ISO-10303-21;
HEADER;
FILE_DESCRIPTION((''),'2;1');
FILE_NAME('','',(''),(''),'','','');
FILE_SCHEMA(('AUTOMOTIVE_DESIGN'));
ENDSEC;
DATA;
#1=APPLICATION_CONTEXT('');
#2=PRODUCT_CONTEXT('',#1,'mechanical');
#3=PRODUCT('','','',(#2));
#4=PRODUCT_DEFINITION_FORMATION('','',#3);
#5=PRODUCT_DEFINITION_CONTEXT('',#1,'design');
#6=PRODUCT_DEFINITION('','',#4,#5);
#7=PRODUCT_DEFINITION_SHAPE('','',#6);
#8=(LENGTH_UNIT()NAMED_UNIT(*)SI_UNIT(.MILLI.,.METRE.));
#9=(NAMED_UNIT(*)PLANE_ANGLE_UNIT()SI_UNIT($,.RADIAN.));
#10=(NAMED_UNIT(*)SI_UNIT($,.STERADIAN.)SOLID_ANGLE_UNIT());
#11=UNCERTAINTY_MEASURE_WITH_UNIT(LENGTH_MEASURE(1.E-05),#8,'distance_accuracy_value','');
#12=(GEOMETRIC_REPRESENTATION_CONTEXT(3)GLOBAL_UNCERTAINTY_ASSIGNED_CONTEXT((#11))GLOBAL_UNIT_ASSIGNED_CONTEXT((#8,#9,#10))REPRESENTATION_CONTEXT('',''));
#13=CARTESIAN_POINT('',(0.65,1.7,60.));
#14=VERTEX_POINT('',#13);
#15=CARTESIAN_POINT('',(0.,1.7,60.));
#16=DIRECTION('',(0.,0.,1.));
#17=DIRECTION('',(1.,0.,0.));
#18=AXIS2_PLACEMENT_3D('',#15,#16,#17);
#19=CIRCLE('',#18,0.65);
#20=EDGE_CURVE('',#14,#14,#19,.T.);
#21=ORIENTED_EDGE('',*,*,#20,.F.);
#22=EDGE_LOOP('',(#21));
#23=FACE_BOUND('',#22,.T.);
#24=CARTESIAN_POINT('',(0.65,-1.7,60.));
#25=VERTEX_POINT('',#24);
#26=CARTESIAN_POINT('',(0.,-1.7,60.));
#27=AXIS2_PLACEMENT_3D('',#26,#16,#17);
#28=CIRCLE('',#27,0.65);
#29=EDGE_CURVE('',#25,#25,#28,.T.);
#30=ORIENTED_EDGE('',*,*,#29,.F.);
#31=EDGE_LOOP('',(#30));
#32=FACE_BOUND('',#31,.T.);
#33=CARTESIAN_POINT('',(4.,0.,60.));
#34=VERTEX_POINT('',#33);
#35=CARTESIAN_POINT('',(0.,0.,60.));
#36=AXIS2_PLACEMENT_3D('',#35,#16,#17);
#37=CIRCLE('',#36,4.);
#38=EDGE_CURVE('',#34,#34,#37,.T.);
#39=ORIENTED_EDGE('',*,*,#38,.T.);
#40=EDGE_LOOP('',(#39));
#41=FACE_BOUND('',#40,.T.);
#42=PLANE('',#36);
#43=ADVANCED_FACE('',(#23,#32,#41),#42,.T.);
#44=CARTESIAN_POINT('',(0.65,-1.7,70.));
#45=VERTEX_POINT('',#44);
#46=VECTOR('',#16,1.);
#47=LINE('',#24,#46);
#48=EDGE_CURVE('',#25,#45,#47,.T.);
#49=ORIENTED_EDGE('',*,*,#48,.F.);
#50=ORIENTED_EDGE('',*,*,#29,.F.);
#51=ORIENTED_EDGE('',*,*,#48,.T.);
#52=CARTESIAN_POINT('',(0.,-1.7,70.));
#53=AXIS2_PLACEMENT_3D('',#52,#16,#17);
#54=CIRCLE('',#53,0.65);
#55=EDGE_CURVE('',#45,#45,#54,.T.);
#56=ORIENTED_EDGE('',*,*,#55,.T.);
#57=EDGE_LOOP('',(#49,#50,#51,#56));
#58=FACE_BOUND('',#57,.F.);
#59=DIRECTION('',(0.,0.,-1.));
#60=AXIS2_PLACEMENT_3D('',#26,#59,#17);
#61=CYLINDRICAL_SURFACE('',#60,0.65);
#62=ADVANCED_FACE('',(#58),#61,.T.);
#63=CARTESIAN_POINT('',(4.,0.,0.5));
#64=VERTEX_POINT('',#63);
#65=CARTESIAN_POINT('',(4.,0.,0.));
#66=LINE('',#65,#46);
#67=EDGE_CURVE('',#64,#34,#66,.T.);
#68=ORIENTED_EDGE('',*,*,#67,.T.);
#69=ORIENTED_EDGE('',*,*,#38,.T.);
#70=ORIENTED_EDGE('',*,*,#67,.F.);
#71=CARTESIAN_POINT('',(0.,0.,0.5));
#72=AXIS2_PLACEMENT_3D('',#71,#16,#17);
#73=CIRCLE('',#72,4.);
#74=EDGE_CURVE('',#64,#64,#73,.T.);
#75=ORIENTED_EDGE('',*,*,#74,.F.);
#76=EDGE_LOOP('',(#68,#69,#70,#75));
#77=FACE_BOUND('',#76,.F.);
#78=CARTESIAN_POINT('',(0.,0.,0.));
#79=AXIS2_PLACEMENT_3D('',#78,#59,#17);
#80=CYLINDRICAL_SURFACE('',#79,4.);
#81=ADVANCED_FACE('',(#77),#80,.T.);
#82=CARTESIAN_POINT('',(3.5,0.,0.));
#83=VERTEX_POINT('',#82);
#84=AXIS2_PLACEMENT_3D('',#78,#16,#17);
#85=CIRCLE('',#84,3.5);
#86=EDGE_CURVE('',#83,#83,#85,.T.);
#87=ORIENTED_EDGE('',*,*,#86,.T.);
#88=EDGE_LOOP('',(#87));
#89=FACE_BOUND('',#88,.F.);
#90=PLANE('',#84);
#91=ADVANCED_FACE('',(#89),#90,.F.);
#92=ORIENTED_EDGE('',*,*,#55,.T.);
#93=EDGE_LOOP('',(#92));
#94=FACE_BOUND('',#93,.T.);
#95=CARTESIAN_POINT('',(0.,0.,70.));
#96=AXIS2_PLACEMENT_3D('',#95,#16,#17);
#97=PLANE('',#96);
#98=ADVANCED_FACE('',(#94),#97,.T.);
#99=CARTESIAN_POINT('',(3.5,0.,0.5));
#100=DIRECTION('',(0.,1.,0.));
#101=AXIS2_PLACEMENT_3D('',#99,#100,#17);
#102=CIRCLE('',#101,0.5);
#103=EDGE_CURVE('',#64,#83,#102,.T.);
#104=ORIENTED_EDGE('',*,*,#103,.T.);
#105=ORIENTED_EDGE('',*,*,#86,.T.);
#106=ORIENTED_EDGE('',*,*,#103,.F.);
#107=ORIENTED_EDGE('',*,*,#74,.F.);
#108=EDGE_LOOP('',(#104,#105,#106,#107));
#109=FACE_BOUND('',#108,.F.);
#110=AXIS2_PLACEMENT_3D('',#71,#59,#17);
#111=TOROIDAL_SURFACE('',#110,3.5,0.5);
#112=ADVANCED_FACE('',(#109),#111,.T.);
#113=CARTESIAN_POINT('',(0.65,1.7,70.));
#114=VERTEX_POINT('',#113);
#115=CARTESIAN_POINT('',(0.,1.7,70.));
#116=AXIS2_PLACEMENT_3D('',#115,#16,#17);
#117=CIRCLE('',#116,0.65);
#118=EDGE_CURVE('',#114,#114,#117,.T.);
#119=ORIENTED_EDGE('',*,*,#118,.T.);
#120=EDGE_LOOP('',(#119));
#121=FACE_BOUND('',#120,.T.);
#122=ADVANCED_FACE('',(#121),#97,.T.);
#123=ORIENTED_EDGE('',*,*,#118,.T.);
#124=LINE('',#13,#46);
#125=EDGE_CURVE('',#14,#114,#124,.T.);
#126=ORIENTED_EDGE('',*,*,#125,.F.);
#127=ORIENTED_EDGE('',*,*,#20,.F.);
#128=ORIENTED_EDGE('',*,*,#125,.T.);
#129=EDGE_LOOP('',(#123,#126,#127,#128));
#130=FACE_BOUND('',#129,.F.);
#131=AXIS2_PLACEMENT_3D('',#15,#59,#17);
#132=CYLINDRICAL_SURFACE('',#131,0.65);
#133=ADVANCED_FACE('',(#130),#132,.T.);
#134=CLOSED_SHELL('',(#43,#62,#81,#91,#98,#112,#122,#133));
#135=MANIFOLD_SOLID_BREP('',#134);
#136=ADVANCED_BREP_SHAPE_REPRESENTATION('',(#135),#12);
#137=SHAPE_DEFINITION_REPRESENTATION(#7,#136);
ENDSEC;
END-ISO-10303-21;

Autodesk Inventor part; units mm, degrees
ref_plane "YZ Plane" through (0, 0, 0) normal (1, 0, 0) x (0, 1, 0)
ref_plane "XZ Plane" through (0, 0, 0) normal (0, 1, 0) x (-1, 0, 0)
ref_plane "XY Plane" through (0, 0, 0) normal (0, 0, 1) x (1, 0, 0)
sketch "Skizze1" plane through (0, 0, 0) normal (0, 0, 1) x (1, 0, 0)
  circle A0 centre (0, 0) radius 4
  dimension "d0" = 8
extrude "Extrusion1" add sketch "Skizze1" along normal blind 60
fillet "Rundung1" radius 0.5 1 edges at (-4, 0, 0)
sketch "Skizze2" plane through (0, 0, 60) normal (0, 0, 1) x (1, 0, 0)
  circle A0 centre (0, 1.7) radius 0.65
  circle A1 centre (0, -1.7) radius 0.65
  point P0 (0, 0)
  dimension "d4" = 1.3
  dimension "d5" = 1.3
  dimension "d6" = 1.7
  dimension "d7" = 1.7
extrude "Extrusion2" add sketch "Skizze2" along normal blind 10
sketch "Skizze3" plane through (0, 1.7, 70) normal (0, 0, 1) x (1, 0, 0)
  point P0 (0, -1.7)
properties part number "HP_8x60_160W" material "Edelstahl, 440C"
